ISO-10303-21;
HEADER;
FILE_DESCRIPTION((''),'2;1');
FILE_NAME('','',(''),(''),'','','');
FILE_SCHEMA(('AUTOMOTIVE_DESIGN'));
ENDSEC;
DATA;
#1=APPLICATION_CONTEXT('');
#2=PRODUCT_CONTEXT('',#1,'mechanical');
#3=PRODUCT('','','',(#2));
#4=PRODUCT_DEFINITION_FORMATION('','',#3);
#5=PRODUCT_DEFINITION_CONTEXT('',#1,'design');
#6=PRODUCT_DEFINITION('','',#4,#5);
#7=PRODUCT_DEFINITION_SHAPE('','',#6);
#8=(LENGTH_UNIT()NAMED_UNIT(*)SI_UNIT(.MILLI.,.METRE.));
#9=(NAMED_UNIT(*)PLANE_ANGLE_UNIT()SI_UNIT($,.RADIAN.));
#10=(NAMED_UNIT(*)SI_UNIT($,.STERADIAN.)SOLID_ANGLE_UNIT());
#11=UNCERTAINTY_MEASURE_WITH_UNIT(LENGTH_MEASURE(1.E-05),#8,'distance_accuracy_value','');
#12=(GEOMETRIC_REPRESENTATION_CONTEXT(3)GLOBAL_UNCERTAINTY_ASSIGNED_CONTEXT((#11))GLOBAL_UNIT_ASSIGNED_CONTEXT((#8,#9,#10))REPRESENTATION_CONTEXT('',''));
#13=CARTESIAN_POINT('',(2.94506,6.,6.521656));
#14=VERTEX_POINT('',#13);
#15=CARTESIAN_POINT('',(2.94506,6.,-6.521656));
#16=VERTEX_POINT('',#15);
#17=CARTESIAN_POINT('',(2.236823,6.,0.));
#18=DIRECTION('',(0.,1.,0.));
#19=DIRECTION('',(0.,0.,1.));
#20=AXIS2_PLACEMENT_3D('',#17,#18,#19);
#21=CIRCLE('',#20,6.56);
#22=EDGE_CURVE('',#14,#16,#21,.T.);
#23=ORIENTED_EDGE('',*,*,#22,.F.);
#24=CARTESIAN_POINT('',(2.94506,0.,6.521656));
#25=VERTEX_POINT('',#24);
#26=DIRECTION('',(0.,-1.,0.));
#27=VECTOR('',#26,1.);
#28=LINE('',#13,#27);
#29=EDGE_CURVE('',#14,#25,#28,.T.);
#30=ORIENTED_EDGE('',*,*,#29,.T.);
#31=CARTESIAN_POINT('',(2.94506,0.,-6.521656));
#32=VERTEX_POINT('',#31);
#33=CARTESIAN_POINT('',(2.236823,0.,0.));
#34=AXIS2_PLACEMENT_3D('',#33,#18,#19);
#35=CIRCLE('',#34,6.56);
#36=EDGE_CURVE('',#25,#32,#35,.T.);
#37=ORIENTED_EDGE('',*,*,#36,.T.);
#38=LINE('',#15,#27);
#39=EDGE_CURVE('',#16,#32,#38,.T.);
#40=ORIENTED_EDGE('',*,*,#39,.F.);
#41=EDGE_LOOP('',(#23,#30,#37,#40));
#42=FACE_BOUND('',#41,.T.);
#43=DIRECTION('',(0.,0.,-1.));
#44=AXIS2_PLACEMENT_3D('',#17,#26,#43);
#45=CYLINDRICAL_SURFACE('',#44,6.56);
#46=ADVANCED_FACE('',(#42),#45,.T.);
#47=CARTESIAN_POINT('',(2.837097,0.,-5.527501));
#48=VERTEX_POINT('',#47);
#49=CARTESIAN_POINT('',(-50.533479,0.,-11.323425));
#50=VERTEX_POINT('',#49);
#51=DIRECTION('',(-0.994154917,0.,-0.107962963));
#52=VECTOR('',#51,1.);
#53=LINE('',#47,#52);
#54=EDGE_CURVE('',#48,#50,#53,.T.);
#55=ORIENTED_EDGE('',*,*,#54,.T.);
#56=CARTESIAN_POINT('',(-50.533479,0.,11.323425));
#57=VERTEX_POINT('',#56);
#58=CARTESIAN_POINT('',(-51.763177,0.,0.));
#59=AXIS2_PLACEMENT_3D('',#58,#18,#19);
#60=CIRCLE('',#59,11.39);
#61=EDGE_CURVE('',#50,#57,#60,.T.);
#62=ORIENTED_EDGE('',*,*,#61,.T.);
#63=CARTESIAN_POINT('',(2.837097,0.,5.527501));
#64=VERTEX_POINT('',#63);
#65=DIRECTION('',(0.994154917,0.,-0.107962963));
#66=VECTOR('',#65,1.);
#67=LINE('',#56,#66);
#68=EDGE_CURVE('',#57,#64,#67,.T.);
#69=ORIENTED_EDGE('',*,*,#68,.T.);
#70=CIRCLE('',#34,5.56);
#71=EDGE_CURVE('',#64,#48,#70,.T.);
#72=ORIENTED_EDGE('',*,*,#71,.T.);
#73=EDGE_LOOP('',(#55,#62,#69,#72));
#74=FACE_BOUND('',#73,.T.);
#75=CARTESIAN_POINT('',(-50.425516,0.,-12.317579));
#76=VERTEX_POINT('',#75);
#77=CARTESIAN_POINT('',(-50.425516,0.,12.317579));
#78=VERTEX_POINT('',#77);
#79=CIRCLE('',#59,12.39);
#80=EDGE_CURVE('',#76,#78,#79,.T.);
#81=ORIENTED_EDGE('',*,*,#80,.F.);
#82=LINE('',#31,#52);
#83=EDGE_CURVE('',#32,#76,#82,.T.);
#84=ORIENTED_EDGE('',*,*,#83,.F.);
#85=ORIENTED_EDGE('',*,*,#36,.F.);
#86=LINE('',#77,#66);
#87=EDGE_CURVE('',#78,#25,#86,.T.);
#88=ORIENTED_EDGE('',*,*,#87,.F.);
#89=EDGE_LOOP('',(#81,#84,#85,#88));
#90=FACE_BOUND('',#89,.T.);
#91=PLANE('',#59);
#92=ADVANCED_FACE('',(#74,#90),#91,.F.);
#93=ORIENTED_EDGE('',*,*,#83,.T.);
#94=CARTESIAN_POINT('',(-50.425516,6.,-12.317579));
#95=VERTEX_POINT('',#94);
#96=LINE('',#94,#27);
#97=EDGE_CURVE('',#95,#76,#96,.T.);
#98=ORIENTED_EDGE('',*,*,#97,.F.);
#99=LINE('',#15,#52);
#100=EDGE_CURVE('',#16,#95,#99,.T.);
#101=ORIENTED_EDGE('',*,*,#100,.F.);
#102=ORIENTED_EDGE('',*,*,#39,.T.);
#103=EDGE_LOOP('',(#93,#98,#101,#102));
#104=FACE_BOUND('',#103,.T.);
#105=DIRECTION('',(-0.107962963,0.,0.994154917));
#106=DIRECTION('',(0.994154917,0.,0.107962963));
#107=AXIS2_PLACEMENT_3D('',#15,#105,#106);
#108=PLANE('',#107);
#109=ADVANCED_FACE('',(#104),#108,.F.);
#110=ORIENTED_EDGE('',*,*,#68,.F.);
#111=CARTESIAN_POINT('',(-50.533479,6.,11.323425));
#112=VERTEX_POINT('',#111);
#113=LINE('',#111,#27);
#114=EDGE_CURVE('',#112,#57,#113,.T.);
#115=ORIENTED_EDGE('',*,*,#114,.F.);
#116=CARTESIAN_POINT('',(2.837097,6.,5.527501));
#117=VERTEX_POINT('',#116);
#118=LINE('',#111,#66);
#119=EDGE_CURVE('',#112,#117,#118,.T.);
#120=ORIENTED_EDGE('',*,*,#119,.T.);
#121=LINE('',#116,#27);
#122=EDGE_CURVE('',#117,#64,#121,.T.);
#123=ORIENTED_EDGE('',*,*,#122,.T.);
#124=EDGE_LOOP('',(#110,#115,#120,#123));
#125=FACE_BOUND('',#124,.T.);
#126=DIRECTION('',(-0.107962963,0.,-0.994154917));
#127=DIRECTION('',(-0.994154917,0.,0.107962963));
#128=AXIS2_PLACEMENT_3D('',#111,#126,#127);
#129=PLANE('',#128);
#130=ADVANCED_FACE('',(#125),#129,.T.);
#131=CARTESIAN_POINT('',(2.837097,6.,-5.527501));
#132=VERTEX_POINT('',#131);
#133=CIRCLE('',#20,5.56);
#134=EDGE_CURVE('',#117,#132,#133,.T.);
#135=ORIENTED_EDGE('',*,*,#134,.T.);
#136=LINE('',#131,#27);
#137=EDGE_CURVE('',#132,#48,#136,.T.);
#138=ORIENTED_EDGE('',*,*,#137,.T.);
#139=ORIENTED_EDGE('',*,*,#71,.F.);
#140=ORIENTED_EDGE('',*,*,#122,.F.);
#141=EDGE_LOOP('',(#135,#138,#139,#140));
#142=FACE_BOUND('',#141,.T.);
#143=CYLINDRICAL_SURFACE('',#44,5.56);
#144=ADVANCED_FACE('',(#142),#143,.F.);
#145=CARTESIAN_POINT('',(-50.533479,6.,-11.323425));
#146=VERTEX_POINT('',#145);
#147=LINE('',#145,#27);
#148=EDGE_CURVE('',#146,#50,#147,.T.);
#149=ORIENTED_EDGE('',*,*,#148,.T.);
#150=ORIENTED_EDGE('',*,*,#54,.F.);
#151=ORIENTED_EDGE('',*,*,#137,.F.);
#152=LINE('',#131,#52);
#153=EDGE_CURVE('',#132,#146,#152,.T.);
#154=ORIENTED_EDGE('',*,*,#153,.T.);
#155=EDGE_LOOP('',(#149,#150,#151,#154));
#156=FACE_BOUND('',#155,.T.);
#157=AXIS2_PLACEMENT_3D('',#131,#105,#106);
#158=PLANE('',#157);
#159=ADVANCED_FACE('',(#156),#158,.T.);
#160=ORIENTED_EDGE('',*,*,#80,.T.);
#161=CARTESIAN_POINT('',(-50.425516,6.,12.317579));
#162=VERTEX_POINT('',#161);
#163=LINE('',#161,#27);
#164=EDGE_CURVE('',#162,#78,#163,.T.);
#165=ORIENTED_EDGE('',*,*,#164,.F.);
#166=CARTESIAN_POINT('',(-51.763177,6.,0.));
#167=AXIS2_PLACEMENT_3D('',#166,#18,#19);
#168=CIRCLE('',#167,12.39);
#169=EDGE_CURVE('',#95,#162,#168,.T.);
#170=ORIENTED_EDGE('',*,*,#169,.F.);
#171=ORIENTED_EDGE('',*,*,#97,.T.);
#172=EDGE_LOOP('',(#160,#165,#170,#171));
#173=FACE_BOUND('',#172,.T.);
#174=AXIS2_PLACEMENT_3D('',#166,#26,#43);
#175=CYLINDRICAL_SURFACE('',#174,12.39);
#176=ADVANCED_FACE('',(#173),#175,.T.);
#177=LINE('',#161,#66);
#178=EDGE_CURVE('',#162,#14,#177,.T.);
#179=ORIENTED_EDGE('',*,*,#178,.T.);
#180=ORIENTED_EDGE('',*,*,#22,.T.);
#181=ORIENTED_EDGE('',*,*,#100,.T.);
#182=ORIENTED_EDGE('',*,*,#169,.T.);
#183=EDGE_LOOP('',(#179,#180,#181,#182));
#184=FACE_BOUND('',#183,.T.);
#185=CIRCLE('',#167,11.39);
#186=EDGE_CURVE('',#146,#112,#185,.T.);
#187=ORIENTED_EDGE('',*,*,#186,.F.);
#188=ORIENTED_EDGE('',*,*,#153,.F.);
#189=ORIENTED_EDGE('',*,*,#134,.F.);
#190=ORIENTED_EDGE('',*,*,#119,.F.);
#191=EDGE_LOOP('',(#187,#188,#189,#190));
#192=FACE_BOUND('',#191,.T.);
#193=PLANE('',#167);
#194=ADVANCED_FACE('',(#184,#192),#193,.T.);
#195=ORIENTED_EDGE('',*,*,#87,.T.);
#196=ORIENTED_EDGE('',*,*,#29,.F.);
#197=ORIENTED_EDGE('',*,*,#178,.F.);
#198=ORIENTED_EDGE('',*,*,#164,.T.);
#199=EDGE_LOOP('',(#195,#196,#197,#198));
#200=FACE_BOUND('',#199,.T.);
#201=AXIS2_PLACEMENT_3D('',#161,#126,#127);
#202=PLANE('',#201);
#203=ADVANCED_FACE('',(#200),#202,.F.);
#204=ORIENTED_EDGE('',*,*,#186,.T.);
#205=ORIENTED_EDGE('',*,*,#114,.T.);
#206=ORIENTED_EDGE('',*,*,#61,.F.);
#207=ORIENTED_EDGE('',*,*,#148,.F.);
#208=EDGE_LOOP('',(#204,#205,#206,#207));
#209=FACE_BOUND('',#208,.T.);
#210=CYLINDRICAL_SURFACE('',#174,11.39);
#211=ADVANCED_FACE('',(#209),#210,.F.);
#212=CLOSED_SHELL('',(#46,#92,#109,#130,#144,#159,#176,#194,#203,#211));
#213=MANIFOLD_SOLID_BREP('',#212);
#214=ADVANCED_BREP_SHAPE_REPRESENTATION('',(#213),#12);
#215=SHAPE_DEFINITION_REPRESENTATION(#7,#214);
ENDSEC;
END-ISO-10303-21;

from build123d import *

# Parameters (mm, degrees)
BOSS_EXTRUDE1_DEPTH = 6


with BuildPart() as part:
    # Sketch1 → Boss-Extrude1 (new body)
    with BuildSketch(Plane(origin=(0, 0, 0), x_dir=(1, 0, 0), z_dir=(0, 1, 0))):
        with BuildLine():
            Line((-50.425515684, -12.317579419), (2.945060242, -6.521656254))
            ThreePointArc((2.945060242, -6.521656254), (8.796823205, 0), (2.945060242, 6.521656254))
            Line((2.945060242, 6.521656254), (-50.425515684, 12.317579419))
            ThreePointArc((-50.425515684, 12.317579419), (-64.153176795, 0), (-50.425515684, -12.317579419))
        make_face()
        with BuildLine():
            Line((-50.533478647, -11.323424503), (2.837097279, -5.527501337))
            ThreePointArc((2.837097279, -5.527501337), (7.796823205, 0), (2.837097279, 5.527501337))
            Line((2.837097279, 5.527501337), (-50.533478647, 11.323424503))
            ThreePointArc((-50.533478647, 11.323424503), (-63.153176795, 0), (-50.533478647, -11.323424503))
        make_face(mode=Mode.SUBTRACT)
    extrude(amount=BOSS_EXTRUDE1_DEPTH)


solid = part.part
